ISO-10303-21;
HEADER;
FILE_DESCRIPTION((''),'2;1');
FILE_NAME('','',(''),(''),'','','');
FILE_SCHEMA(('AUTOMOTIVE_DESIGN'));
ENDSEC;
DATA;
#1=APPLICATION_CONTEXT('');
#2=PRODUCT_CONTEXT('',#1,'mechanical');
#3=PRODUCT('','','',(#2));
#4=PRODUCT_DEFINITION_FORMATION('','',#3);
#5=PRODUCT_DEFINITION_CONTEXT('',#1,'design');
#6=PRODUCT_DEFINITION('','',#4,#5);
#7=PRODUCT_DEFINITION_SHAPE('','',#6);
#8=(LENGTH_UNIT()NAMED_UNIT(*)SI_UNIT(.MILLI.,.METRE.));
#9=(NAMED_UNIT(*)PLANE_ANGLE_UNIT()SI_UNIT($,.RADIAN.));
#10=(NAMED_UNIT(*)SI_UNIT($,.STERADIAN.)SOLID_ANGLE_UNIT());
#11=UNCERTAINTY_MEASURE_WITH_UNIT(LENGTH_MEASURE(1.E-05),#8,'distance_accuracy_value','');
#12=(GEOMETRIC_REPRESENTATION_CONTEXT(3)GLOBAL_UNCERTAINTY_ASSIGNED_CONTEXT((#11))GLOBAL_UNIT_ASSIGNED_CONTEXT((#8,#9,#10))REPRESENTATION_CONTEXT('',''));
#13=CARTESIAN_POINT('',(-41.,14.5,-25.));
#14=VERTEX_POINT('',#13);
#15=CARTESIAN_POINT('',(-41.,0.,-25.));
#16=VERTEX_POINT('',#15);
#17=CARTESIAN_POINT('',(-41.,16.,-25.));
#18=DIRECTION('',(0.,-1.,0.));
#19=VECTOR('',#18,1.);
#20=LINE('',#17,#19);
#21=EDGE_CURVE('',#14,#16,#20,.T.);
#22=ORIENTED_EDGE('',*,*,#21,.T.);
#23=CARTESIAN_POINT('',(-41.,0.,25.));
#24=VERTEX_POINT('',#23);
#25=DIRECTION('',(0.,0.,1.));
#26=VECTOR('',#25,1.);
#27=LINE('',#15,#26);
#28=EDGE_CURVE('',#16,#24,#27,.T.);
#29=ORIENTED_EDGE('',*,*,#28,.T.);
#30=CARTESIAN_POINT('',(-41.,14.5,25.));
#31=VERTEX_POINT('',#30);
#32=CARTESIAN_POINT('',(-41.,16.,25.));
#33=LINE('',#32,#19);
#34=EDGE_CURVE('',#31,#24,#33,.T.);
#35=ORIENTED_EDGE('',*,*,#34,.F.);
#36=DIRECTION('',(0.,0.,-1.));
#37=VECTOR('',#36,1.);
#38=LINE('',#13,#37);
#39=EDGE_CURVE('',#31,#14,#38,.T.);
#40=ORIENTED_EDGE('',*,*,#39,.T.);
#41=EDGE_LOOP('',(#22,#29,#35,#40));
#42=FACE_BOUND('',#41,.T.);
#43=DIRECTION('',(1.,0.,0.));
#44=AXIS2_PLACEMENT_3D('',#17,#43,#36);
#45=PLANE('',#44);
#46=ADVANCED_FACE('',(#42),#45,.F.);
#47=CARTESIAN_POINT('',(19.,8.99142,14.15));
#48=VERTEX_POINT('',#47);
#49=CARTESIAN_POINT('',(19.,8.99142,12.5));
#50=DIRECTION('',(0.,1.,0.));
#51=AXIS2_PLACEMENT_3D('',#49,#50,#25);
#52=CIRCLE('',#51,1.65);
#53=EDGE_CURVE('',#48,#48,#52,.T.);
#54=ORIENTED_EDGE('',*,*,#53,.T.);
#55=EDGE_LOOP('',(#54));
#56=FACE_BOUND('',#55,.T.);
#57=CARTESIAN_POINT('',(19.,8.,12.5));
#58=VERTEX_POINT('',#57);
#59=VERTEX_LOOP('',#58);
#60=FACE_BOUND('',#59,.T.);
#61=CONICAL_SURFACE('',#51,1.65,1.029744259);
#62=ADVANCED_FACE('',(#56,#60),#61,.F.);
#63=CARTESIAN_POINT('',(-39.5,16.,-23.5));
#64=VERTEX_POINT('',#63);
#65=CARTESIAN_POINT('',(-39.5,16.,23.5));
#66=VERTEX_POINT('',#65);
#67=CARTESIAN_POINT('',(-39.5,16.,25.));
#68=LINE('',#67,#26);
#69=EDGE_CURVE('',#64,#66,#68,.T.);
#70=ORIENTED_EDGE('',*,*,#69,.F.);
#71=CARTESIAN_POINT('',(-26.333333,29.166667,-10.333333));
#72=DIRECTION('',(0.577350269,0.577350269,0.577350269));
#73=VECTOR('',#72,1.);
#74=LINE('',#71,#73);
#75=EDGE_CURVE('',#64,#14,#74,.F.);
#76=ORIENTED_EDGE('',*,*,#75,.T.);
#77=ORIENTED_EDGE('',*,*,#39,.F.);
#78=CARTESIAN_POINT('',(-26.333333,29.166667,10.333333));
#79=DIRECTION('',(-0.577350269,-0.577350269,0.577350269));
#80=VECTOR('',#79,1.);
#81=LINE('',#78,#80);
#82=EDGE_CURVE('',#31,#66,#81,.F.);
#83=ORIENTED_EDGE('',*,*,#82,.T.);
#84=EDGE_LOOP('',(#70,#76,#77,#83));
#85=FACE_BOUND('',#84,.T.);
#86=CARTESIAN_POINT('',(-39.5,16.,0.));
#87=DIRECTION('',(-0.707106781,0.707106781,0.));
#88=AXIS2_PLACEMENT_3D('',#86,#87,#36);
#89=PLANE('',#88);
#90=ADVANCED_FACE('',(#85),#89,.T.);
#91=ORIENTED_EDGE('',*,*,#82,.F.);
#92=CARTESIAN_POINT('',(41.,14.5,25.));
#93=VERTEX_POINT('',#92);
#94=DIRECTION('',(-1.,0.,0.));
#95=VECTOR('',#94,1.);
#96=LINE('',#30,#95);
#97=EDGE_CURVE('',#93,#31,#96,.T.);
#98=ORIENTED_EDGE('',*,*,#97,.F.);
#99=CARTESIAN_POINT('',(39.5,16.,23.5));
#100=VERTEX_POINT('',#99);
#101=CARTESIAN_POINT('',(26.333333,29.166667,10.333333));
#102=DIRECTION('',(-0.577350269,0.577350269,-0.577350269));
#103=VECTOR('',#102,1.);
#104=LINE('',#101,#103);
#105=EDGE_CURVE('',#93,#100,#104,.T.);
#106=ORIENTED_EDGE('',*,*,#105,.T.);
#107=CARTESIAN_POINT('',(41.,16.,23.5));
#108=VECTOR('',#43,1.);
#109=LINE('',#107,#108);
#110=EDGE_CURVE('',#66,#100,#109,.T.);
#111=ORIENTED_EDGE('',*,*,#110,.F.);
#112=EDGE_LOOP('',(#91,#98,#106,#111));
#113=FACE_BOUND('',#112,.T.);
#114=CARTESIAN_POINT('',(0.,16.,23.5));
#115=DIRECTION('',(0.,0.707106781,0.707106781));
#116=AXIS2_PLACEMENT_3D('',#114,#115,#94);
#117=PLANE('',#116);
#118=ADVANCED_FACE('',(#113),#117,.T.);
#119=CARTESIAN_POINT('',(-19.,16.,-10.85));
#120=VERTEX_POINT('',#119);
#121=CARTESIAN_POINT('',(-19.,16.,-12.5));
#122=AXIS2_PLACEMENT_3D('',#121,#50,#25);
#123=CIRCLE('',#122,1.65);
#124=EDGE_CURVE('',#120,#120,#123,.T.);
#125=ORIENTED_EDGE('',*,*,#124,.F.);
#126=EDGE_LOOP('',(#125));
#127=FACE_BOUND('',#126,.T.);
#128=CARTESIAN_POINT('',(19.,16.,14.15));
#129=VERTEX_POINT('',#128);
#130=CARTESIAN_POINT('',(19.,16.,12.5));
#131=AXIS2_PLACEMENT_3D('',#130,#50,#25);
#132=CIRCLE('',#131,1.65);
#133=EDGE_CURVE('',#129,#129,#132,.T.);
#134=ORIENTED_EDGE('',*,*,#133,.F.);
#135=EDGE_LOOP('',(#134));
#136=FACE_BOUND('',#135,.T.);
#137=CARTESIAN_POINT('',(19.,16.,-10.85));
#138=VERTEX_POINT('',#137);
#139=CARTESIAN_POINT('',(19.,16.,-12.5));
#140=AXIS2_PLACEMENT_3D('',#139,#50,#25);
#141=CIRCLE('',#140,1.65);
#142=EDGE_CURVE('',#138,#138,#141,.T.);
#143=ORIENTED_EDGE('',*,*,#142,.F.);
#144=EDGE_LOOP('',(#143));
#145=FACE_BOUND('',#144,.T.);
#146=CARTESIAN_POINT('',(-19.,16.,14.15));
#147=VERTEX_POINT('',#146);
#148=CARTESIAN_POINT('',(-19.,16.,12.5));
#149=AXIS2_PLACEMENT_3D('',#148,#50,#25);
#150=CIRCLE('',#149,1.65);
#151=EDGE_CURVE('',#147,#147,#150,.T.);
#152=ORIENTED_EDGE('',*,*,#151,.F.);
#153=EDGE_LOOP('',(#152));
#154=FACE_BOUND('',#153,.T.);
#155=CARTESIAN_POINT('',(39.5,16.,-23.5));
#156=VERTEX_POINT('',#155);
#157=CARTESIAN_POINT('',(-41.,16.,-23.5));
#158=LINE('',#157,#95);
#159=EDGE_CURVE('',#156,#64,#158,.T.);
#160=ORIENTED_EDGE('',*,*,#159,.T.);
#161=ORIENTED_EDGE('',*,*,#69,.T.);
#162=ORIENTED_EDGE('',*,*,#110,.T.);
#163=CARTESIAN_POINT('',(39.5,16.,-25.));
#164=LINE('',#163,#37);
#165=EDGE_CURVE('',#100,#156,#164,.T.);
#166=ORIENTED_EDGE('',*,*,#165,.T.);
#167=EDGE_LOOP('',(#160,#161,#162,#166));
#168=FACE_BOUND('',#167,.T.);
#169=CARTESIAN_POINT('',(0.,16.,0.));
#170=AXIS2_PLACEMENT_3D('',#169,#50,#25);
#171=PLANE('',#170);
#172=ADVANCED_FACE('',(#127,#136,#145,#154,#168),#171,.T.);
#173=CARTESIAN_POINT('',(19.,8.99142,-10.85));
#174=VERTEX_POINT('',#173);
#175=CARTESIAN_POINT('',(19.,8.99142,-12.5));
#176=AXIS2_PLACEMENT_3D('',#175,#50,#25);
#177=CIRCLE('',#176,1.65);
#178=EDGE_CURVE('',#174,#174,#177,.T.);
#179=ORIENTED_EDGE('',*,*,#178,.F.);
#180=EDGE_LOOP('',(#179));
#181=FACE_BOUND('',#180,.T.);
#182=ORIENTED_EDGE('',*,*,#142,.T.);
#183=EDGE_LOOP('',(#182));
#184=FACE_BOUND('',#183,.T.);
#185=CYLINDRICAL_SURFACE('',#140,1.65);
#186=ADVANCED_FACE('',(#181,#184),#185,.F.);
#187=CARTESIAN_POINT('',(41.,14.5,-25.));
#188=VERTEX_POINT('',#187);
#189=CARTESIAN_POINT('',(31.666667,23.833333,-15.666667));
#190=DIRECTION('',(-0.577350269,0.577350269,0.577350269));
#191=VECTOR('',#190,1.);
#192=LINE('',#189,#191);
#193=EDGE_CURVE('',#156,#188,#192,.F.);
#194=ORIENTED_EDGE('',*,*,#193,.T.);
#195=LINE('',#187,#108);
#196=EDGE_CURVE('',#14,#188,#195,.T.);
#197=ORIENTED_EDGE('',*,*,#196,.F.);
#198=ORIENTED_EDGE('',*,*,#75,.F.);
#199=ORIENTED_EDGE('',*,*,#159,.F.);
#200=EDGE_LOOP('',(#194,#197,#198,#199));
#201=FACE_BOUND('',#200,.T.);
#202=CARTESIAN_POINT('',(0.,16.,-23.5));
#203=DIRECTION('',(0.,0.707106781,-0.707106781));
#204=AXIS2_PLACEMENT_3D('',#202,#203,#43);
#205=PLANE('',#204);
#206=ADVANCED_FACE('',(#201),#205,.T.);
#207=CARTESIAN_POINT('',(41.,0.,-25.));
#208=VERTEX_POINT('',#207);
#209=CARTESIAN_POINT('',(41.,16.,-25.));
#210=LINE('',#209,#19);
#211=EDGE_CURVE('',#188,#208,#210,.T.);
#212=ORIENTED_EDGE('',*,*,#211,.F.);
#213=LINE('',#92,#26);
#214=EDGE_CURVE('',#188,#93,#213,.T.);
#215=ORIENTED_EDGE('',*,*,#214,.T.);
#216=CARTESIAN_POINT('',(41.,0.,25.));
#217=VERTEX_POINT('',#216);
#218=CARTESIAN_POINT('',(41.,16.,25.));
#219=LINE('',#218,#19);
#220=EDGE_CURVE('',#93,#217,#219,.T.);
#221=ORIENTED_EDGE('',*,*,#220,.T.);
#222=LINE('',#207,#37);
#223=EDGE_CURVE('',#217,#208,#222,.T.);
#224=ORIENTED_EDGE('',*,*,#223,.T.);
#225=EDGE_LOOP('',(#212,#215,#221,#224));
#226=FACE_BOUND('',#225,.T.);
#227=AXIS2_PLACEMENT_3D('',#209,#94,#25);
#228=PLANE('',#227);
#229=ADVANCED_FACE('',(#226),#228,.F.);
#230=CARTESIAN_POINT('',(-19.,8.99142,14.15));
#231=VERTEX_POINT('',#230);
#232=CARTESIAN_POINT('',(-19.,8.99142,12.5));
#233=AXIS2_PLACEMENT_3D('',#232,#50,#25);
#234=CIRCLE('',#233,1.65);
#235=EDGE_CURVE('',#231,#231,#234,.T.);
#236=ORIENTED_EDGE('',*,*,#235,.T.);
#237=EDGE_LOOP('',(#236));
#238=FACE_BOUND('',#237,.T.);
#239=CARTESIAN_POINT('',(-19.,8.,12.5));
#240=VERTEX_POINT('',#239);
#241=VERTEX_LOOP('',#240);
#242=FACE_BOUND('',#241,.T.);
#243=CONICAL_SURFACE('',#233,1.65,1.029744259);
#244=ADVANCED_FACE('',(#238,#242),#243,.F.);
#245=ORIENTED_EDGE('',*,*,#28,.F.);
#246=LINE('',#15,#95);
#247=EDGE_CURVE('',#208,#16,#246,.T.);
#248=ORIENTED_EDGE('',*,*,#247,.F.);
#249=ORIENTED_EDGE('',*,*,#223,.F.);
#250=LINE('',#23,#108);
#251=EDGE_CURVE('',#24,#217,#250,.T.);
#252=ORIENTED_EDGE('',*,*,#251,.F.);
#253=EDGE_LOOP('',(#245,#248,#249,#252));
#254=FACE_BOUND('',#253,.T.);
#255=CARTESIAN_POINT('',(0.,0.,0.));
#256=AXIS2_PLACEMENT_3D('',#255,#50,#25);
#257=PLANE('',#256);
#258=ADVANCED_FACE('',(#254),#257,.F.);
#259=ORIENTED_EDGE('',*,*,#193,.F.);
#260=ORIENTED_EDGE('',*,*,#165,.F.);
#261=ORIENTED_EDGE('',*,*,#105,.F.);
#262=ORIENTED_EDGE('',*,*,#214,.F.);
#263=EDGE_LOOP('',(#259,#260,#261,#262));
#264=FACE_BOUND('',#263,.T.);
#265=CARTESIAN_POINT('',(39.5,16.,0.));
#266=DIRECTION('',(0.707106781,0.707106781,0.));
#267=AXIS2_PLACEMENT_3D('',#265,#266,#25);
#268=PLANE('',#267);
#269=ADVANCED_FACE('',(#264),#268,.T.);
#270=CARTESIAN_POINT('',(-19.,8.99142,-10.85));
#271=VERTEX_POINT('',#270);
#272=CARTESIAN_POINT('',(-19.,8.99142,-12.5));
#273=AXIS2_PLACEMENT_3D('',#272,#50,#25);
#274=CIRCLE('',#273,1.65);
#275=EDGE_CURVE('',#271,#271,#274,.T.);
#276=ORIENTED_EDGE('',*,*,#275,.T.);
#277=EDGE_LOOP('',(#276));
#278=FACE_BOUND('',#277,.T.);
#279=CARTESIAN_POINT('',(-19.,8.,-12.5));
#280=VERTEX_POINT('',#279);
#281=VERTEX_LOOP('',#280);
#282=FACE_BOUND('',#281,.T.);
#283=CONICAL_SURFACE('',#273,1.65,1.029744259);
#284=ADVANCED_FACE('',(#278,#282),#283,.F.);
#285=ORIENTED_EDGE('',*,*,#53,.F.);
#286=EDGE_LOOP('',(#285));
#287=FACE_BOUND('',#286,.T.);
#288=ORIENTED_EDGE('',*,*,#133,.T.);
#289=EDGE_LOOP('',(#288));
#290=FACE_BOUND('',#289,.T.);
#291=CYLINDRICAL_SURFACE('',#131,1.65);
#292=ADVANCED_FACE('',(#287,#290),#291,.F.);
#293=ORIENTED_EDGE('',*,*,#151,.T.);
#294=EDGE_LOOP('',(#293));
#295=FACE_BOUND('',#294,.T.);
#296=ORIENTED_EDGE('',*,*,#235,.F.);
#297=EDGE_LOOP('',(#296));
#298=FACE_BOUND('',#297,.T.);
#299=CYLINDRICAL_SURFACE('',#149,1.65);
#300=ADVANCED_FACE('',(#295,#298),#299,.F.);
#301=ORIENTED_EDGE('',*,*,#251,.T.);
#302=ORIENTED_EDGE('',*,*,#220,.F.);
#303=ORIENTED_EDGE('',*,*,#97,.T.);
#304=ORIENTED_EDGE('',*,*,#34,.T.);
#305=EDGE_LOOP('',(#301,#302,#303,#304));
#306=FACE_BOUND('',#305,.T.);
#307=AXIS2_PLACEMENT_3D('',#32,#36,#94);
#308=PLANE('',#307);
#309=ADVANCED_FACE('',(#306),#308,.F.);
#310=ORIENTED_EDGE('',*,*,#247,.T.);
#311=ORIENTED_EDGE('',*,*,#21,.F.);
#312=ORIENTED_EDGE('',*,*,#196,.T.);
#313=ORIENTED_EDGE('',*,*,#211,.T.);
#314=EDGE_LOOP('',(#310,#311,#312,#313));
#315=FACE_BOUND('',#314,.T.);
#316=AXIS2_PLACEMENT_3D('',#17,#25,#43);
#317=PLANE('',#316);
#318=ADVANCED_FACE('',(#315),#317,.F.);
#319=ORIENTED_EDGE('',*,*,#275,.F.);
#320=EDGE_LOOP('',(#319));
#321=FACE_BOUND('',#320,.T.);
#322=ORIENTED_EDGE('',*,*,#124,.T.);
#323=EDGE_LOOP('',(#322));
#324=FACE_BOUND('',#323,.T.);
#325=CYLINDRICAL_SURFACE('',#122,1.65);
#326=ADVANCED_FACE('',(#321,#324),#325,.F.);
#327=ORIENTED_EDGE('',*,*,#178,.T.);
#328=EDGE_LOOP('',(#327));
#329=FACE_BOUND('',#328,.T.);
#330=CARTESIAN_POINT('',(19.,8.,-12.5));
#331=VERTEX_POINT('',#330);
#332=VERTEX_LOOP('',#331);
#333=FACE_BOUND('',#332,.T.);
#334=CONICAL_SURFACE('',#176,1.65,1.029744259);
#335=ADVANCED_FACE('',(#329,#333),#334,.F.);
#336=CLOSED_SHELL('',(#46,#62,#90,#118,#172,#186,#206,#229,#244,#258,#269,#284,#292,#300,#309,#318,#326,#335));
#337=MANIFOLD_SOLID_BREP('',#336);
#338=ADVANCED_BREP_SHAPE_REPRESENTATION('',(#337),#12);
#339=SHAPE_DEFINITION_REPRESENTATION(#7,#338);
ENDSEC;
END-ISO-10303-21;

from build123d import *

# Parameters (mm, degrees)
SKETCH1_W             = 82
SKETCH1_H             = 50
BOSS_EXTRUDE1_DEPTH   = 16
M4_TAPPED_HOLE1_D     = 3.3
M4_TAPPED_HOLE1_DEPTH = 7.008579979
M4_TAPPED_HOLE1_TIP   = 0.991420021
CHAMFER1_SIZE         = 1.5


with BuildPart() as part:
    # Sketch1 → Boss-Extrude1 (new body)
    with BuildSketch(Plane(origin=(0, 0, 0), x_dir=(1, 0, 0), z_dir=(0, 1, 0))):
        Rectangle(SKETCH1_W, SKETCH1_H)
    extrude(amount=BOSS_EXTRUDE1_DEPTH)

    # M4 Tapped Hole1
    with Locations(Plane(origin=(0, 16, 0), x_dir=(1, 0, 0), z_dir=(0, 1, 0))):
        with Locations((-19, 12.5), (19, 12.5), (19, -12.5), (-19, -12.5)):
            Hole(M4_TAPPED_HOLE1_D / 2, depth=M4_TAPPED_HOLE1_DEPTH)
            with Locations((0, 0, -(M4_TAPPED_HOLE1_DEPTH + M4_TAPPED_HOLE1_TIP / 2))):  # 118° drill point
                Cone(0, M4_TAPPED_HOLE1_D / 2, M4_TAPPED_HOLE1_TIP, mode=Mode.SUBTRACT)

    # Chamfer1
    chamfer1_edges = [part.edges().sort_by_distance(p)[0] for p in [
        (-41, 16, 0),
        (0, 16, 25),
        (41, 16, 0),
        (0, 16, -25),
    ]]
    chamfer(chamfer1_edges, length=CHAMFER1_SIZE)


solid = part.part
